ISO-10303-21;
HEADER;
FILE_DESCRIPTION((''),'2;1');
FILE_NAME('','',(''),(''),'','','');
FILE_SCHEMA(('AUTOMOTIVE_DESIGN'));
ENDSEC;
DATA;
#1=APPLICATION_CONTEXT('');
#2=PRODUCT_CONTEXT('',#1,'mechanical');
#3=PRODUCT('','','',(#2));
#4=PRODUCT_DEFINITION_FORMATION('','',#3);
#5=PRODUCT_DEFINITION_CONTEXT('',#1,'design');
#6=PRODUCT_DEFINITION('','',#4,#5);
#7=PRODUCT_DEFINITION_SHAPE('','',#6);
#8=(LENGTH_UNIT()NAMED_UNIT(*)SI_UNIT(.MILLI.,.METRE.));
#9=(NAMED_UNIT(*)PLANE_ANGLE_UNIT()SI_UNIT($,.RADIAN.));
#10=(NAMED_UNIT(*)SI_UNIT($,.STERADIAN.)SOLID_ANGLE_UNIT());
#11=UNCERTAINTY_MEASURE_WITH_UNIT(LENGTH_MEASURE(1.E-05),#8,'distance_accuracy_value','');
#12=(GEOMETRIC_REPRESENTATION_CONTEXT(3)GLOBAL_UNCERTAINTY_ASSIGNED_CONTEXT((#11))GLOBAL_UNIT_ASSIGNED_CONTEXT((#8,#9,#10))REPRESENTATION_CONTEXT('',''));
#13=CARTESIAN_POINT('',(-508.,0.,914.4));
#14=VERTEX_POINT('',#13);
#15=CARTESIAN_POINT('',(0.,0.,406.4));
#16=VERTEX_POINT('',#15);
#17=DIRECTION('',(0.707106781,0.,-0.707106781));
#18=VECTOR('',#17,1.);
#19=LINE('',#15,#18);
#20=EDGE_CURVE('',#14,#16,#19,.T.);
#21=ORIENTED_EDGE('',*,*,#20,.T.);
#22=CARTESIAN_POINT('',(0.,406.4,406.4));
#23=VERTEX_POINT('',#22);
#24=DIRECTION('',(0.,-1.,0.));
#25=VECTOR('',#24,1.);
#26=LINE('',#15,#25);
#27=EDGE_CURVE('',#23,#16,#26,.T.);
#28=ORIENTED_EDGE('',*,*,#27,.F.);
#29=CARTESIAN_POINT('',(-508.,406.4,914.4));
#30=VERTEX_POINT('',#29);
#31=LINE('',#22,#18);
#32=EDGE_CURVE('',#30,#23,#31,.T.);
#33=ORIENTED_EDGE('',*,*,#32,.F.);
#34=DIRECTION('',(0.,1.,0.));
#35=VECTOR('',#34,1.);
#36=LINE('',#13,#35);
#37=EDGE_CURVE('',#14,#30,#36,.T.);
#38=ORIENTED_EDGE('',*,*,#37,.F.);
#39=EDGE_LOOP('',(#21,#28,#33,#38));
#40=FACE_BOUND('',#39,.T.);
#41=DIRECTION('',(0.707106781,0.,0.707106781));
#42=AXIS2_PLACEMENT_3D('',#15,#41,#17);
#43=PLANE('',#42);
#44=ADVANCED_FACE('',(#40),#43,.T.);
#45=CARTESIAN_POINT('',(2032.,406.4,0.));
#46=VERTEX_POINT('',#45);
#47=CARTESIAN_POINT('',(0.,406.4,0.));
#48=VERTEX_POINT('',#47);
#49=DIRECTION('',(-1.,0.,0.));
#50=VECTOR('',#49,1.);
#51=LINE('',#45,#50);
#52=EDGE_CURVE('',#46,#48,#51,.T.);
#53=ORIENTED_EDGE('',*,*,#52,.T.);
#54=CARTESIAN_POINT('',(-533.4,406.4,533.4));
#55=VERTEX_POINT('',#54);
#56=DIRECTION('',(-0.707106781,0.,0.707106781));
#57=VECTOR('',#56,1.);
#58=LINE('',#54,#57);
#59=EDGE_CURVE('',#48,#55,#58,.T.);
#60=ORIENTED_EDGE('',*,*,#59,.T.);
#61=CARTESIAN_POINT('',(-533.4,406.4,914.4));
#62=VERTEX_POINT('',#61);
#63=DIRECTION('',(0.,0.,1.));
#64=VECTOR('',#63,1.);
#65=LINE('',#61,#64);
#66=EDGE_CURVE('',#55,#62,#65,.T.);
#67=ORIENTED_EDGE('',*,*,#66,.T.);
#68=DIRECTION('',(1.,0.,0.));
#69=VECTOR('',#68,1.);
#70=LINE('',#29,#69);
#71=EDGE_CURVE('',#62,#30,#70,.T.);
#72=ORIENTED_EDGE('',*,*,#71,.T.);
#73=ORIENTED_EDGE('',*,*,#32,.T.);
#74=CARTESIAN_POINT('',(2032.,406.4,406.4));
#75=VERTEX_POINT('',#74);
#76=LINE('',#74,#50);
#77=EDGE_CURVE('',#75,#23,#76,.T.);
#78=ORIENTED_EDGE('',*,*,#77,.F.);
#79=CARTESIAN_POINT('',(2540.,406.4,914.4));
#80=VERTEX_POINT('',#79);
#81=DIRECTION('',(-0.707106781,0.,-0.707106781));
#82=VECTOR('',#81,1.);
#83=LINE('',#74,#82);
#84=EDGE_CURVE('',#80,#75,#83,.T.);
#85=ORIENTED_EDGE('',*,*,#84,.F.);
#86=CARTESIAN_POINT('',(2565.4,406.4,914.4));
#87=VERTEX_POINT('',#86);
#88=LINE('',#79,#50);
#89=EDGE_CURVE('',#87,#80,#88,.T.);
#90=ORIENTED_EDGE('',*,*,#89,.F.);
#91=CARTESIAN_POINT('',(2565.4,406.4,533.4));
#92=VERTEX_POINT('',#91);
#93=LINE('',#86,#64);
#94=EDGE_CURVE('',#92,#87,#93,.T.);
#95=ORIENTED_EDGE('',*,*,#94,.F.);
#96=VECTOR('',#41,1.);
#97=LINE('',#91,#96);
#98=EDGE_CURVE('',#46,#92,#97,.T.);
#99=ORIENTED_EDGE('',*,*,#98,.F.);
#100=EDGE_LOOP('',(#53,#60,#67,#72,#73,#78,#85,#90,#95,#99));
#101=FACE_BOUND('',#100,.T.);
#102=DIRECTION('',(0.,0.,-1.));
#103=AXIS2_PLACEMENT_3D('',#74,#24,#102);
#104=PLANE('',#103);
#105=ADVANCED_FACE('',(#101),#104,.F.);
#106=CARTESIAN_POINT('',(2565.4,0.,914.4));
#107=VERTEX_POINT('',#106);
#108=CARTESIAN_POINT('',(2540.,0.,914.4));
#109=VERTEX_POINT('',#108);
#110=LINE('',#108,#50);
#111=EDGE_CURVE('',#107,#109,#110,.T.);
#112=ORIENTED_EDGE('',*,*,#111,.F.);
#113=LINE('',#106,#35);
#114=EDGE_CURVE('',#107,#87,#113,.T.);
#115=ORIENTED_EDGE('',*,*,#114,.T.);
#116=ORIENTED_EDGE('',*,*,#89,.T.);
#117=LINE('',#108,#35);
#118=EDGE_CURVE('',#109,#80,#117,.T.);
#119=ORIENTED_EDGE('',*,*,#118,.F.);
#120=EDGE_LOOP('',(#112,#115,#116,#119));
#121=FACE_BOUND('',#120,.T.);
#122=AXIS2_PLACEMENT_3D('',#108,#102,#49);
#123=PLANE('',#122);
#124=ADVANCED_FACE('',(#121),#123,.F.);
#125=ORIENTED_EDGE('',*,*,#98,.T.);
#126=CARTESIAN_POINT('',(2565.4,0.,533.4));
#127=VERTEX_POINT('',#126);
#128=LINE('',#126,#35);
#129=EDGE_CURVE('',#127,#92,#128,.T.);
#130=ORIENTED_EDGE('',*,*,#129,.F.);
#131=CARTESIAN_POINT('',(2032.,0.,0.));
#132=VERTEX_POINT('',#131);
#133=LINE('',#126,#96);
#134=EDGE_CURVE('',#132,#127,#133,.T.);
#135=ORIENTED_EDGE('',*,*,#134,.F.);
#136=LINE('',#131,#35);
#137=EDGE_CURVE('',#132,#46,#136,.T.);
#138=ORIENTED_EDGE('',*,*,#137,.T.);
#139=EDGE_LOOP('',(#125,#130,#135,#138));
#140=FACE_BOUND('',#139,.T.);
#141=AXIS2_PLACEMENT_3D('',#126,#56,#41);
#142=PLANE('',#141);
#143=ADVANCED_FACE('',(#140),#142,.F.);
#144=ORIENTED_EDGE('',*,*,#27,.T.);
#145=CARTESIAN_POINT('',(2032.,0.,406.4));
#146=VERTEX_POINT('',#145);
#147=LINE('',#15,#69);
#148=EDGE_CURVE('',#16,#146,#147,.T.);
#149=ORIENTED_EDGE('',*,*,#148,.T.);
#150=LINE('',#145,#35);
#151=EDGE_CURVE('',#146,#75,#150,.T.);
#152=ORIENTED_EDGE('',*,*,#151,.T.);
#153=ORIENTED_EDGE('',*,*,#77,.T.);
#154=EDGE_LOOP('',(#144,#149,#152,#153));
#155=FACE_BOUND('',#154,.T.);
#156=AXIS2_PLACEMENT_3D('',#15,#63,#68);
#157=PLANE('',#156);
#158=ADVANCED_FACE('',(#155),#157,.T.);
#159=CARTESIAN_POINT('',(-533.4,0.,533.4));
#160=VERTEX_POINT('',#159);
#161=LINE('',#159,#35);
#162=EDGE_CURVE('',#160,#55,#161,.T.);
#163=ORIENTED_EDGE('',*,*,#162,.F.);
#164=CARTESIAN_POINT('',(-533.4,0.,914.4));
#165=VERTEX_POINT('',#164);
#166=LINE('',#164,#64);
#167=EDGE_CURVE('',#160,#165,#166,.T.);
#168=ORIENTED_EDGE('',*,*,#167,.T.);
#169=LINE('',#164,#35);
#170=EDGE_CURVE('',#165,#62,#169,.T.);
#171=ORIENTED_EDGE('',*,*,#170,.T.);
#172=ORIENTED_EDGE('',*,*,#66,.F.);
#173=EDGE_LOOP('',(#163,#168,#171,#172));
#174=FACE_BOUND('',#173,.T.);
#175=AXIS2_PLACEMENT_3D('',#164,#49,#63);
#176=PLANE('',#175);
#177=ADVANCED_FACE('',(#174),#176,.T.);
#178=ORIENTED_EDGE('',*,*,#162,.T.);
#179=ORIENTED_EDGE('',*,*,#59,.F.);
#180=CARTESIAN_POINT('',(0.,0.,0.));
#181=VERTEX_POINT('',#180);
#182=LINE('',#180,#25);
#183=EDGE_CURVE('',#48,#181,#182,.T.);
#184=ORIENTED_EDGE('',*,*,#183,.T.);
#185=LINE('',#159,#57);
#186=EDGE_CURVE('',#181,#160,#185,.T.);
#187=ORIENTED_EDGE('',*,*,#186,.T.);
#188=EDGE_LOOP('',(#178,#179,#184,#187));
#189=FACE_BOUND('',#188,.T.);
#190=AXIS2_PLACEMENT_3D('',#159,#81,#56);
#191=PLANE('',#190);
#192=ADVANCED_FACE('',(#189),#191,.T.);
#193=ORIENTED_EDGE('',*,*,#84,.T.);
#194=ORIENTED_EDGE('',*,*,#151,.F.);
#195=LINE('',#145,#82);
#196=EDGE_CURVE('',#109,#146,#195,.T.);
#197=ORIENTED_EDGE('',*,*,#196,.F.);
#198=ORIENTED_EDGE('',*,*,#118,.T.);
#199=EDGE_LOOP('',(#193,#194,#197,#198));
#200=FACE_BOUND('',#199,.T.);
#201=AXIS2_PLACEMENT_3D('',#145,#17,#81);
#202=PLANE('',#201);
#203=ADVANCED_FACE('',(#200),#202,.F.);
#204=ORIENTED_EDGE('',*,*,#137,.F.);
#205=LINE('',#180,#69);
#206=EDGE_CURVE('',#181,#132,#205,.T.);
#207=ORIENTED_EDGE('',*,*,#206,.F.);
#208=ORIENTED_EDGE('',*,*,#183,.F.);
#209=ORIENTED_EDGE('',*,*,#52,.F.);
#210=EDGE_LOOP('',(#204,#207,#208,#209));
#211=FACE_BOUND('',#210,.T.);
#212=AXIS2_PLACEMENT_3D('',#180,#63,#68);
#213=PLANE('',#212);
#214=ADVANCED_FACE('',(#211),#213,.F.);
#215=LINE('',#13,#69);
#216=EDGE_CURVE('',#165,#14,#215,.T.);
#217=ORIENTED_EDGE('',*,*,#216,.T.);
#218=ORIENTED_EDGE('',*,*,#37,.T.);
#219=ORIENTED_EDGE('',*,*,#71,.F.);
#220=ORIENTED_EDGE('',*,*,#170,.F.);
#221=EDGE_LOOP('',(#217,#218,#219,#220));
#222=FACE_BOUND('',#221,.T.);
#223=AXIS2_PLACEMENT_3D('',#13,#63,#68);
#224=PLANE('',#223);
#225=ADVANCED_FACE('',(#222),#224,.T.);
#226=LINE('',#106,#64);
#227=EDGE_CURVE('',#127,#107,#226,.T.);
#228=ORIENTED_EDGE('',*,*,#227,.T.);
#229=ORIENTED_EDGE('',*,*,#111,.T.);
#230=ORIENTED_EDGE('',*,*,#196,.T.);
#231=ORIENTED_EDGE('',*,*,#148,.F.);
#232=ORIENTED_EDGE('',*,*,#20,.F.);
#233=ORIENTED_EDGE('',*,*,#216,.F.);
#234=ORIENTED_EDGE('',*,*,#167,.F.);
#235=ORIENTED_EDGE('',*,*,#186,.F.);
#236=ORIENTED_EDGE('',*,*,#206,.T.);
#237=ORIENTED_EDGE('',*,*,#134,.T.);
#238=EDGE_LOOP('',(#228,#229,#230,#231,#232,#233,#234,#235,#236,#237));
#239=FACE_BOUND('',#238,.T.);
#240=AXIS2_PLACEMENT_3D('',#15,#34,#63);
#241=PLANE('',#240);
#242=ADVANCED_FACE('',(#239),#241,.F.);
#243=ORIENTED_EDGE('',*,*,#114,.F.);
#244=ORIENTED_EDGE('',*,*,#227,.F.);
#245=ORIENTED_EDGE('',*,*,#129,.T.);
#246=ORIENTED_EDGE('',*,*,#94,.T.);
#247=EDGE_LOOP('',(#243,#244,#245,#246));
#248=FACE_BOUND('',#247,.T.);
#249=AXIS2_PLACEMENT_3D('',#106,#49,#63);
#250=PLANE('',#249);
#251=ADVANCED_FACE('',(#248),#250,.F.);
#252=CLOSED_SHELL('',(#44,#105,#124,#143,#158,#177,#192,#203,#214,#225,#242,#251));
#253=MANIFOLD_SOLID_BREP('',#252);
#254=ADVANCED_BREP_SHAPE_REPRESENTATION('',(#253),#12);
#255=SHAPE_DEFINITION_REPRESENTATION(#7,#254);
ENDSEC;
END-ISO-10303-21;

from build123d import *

# Parameters (mm, degrees)
SKETCH1_W           = 2032
SKETCH1_H           = 406.4
BOSS_EXTRUDE1_DEPTH = 406.4
BOSS_EXTRUDE2_DEPTH = 406.4


with BuildPart() as part:
    # Sketch1 → Boss-Extrude1 (new body)
    with BuildSketch(Plane.XY):
        with Locations((1016, 203.2)):
            Rectangle(SKETCH1_W, SKETCH1_H)
    extrude(amount=BOSS_EXTRUDE1_DEPTH)

    # Sketch8 → Boss-Extrude2 (add)
    with BuildSketch(Plane(origin=(0, 406.4, 0), x_dir=(1, 0, 0), z_dir=(0, 1, 0))):
        Polygon((0, -406.4), (-508, -914.4), (-533.4, -914.4), (-533.4, -533.4), (0, 0), align=None)
    boss_extrude2 = extrude(amount=-BOSS_EXTRUDE2_DEPTH)

    # Mirror1: Boss-Extrude2 across plane
    add(boss_extrude2.mirror(Plane(origin=(1016, 0, 0), x_dir=(0, 0, 1), z_dir=(1, 0, 0))))


solid = part.part
